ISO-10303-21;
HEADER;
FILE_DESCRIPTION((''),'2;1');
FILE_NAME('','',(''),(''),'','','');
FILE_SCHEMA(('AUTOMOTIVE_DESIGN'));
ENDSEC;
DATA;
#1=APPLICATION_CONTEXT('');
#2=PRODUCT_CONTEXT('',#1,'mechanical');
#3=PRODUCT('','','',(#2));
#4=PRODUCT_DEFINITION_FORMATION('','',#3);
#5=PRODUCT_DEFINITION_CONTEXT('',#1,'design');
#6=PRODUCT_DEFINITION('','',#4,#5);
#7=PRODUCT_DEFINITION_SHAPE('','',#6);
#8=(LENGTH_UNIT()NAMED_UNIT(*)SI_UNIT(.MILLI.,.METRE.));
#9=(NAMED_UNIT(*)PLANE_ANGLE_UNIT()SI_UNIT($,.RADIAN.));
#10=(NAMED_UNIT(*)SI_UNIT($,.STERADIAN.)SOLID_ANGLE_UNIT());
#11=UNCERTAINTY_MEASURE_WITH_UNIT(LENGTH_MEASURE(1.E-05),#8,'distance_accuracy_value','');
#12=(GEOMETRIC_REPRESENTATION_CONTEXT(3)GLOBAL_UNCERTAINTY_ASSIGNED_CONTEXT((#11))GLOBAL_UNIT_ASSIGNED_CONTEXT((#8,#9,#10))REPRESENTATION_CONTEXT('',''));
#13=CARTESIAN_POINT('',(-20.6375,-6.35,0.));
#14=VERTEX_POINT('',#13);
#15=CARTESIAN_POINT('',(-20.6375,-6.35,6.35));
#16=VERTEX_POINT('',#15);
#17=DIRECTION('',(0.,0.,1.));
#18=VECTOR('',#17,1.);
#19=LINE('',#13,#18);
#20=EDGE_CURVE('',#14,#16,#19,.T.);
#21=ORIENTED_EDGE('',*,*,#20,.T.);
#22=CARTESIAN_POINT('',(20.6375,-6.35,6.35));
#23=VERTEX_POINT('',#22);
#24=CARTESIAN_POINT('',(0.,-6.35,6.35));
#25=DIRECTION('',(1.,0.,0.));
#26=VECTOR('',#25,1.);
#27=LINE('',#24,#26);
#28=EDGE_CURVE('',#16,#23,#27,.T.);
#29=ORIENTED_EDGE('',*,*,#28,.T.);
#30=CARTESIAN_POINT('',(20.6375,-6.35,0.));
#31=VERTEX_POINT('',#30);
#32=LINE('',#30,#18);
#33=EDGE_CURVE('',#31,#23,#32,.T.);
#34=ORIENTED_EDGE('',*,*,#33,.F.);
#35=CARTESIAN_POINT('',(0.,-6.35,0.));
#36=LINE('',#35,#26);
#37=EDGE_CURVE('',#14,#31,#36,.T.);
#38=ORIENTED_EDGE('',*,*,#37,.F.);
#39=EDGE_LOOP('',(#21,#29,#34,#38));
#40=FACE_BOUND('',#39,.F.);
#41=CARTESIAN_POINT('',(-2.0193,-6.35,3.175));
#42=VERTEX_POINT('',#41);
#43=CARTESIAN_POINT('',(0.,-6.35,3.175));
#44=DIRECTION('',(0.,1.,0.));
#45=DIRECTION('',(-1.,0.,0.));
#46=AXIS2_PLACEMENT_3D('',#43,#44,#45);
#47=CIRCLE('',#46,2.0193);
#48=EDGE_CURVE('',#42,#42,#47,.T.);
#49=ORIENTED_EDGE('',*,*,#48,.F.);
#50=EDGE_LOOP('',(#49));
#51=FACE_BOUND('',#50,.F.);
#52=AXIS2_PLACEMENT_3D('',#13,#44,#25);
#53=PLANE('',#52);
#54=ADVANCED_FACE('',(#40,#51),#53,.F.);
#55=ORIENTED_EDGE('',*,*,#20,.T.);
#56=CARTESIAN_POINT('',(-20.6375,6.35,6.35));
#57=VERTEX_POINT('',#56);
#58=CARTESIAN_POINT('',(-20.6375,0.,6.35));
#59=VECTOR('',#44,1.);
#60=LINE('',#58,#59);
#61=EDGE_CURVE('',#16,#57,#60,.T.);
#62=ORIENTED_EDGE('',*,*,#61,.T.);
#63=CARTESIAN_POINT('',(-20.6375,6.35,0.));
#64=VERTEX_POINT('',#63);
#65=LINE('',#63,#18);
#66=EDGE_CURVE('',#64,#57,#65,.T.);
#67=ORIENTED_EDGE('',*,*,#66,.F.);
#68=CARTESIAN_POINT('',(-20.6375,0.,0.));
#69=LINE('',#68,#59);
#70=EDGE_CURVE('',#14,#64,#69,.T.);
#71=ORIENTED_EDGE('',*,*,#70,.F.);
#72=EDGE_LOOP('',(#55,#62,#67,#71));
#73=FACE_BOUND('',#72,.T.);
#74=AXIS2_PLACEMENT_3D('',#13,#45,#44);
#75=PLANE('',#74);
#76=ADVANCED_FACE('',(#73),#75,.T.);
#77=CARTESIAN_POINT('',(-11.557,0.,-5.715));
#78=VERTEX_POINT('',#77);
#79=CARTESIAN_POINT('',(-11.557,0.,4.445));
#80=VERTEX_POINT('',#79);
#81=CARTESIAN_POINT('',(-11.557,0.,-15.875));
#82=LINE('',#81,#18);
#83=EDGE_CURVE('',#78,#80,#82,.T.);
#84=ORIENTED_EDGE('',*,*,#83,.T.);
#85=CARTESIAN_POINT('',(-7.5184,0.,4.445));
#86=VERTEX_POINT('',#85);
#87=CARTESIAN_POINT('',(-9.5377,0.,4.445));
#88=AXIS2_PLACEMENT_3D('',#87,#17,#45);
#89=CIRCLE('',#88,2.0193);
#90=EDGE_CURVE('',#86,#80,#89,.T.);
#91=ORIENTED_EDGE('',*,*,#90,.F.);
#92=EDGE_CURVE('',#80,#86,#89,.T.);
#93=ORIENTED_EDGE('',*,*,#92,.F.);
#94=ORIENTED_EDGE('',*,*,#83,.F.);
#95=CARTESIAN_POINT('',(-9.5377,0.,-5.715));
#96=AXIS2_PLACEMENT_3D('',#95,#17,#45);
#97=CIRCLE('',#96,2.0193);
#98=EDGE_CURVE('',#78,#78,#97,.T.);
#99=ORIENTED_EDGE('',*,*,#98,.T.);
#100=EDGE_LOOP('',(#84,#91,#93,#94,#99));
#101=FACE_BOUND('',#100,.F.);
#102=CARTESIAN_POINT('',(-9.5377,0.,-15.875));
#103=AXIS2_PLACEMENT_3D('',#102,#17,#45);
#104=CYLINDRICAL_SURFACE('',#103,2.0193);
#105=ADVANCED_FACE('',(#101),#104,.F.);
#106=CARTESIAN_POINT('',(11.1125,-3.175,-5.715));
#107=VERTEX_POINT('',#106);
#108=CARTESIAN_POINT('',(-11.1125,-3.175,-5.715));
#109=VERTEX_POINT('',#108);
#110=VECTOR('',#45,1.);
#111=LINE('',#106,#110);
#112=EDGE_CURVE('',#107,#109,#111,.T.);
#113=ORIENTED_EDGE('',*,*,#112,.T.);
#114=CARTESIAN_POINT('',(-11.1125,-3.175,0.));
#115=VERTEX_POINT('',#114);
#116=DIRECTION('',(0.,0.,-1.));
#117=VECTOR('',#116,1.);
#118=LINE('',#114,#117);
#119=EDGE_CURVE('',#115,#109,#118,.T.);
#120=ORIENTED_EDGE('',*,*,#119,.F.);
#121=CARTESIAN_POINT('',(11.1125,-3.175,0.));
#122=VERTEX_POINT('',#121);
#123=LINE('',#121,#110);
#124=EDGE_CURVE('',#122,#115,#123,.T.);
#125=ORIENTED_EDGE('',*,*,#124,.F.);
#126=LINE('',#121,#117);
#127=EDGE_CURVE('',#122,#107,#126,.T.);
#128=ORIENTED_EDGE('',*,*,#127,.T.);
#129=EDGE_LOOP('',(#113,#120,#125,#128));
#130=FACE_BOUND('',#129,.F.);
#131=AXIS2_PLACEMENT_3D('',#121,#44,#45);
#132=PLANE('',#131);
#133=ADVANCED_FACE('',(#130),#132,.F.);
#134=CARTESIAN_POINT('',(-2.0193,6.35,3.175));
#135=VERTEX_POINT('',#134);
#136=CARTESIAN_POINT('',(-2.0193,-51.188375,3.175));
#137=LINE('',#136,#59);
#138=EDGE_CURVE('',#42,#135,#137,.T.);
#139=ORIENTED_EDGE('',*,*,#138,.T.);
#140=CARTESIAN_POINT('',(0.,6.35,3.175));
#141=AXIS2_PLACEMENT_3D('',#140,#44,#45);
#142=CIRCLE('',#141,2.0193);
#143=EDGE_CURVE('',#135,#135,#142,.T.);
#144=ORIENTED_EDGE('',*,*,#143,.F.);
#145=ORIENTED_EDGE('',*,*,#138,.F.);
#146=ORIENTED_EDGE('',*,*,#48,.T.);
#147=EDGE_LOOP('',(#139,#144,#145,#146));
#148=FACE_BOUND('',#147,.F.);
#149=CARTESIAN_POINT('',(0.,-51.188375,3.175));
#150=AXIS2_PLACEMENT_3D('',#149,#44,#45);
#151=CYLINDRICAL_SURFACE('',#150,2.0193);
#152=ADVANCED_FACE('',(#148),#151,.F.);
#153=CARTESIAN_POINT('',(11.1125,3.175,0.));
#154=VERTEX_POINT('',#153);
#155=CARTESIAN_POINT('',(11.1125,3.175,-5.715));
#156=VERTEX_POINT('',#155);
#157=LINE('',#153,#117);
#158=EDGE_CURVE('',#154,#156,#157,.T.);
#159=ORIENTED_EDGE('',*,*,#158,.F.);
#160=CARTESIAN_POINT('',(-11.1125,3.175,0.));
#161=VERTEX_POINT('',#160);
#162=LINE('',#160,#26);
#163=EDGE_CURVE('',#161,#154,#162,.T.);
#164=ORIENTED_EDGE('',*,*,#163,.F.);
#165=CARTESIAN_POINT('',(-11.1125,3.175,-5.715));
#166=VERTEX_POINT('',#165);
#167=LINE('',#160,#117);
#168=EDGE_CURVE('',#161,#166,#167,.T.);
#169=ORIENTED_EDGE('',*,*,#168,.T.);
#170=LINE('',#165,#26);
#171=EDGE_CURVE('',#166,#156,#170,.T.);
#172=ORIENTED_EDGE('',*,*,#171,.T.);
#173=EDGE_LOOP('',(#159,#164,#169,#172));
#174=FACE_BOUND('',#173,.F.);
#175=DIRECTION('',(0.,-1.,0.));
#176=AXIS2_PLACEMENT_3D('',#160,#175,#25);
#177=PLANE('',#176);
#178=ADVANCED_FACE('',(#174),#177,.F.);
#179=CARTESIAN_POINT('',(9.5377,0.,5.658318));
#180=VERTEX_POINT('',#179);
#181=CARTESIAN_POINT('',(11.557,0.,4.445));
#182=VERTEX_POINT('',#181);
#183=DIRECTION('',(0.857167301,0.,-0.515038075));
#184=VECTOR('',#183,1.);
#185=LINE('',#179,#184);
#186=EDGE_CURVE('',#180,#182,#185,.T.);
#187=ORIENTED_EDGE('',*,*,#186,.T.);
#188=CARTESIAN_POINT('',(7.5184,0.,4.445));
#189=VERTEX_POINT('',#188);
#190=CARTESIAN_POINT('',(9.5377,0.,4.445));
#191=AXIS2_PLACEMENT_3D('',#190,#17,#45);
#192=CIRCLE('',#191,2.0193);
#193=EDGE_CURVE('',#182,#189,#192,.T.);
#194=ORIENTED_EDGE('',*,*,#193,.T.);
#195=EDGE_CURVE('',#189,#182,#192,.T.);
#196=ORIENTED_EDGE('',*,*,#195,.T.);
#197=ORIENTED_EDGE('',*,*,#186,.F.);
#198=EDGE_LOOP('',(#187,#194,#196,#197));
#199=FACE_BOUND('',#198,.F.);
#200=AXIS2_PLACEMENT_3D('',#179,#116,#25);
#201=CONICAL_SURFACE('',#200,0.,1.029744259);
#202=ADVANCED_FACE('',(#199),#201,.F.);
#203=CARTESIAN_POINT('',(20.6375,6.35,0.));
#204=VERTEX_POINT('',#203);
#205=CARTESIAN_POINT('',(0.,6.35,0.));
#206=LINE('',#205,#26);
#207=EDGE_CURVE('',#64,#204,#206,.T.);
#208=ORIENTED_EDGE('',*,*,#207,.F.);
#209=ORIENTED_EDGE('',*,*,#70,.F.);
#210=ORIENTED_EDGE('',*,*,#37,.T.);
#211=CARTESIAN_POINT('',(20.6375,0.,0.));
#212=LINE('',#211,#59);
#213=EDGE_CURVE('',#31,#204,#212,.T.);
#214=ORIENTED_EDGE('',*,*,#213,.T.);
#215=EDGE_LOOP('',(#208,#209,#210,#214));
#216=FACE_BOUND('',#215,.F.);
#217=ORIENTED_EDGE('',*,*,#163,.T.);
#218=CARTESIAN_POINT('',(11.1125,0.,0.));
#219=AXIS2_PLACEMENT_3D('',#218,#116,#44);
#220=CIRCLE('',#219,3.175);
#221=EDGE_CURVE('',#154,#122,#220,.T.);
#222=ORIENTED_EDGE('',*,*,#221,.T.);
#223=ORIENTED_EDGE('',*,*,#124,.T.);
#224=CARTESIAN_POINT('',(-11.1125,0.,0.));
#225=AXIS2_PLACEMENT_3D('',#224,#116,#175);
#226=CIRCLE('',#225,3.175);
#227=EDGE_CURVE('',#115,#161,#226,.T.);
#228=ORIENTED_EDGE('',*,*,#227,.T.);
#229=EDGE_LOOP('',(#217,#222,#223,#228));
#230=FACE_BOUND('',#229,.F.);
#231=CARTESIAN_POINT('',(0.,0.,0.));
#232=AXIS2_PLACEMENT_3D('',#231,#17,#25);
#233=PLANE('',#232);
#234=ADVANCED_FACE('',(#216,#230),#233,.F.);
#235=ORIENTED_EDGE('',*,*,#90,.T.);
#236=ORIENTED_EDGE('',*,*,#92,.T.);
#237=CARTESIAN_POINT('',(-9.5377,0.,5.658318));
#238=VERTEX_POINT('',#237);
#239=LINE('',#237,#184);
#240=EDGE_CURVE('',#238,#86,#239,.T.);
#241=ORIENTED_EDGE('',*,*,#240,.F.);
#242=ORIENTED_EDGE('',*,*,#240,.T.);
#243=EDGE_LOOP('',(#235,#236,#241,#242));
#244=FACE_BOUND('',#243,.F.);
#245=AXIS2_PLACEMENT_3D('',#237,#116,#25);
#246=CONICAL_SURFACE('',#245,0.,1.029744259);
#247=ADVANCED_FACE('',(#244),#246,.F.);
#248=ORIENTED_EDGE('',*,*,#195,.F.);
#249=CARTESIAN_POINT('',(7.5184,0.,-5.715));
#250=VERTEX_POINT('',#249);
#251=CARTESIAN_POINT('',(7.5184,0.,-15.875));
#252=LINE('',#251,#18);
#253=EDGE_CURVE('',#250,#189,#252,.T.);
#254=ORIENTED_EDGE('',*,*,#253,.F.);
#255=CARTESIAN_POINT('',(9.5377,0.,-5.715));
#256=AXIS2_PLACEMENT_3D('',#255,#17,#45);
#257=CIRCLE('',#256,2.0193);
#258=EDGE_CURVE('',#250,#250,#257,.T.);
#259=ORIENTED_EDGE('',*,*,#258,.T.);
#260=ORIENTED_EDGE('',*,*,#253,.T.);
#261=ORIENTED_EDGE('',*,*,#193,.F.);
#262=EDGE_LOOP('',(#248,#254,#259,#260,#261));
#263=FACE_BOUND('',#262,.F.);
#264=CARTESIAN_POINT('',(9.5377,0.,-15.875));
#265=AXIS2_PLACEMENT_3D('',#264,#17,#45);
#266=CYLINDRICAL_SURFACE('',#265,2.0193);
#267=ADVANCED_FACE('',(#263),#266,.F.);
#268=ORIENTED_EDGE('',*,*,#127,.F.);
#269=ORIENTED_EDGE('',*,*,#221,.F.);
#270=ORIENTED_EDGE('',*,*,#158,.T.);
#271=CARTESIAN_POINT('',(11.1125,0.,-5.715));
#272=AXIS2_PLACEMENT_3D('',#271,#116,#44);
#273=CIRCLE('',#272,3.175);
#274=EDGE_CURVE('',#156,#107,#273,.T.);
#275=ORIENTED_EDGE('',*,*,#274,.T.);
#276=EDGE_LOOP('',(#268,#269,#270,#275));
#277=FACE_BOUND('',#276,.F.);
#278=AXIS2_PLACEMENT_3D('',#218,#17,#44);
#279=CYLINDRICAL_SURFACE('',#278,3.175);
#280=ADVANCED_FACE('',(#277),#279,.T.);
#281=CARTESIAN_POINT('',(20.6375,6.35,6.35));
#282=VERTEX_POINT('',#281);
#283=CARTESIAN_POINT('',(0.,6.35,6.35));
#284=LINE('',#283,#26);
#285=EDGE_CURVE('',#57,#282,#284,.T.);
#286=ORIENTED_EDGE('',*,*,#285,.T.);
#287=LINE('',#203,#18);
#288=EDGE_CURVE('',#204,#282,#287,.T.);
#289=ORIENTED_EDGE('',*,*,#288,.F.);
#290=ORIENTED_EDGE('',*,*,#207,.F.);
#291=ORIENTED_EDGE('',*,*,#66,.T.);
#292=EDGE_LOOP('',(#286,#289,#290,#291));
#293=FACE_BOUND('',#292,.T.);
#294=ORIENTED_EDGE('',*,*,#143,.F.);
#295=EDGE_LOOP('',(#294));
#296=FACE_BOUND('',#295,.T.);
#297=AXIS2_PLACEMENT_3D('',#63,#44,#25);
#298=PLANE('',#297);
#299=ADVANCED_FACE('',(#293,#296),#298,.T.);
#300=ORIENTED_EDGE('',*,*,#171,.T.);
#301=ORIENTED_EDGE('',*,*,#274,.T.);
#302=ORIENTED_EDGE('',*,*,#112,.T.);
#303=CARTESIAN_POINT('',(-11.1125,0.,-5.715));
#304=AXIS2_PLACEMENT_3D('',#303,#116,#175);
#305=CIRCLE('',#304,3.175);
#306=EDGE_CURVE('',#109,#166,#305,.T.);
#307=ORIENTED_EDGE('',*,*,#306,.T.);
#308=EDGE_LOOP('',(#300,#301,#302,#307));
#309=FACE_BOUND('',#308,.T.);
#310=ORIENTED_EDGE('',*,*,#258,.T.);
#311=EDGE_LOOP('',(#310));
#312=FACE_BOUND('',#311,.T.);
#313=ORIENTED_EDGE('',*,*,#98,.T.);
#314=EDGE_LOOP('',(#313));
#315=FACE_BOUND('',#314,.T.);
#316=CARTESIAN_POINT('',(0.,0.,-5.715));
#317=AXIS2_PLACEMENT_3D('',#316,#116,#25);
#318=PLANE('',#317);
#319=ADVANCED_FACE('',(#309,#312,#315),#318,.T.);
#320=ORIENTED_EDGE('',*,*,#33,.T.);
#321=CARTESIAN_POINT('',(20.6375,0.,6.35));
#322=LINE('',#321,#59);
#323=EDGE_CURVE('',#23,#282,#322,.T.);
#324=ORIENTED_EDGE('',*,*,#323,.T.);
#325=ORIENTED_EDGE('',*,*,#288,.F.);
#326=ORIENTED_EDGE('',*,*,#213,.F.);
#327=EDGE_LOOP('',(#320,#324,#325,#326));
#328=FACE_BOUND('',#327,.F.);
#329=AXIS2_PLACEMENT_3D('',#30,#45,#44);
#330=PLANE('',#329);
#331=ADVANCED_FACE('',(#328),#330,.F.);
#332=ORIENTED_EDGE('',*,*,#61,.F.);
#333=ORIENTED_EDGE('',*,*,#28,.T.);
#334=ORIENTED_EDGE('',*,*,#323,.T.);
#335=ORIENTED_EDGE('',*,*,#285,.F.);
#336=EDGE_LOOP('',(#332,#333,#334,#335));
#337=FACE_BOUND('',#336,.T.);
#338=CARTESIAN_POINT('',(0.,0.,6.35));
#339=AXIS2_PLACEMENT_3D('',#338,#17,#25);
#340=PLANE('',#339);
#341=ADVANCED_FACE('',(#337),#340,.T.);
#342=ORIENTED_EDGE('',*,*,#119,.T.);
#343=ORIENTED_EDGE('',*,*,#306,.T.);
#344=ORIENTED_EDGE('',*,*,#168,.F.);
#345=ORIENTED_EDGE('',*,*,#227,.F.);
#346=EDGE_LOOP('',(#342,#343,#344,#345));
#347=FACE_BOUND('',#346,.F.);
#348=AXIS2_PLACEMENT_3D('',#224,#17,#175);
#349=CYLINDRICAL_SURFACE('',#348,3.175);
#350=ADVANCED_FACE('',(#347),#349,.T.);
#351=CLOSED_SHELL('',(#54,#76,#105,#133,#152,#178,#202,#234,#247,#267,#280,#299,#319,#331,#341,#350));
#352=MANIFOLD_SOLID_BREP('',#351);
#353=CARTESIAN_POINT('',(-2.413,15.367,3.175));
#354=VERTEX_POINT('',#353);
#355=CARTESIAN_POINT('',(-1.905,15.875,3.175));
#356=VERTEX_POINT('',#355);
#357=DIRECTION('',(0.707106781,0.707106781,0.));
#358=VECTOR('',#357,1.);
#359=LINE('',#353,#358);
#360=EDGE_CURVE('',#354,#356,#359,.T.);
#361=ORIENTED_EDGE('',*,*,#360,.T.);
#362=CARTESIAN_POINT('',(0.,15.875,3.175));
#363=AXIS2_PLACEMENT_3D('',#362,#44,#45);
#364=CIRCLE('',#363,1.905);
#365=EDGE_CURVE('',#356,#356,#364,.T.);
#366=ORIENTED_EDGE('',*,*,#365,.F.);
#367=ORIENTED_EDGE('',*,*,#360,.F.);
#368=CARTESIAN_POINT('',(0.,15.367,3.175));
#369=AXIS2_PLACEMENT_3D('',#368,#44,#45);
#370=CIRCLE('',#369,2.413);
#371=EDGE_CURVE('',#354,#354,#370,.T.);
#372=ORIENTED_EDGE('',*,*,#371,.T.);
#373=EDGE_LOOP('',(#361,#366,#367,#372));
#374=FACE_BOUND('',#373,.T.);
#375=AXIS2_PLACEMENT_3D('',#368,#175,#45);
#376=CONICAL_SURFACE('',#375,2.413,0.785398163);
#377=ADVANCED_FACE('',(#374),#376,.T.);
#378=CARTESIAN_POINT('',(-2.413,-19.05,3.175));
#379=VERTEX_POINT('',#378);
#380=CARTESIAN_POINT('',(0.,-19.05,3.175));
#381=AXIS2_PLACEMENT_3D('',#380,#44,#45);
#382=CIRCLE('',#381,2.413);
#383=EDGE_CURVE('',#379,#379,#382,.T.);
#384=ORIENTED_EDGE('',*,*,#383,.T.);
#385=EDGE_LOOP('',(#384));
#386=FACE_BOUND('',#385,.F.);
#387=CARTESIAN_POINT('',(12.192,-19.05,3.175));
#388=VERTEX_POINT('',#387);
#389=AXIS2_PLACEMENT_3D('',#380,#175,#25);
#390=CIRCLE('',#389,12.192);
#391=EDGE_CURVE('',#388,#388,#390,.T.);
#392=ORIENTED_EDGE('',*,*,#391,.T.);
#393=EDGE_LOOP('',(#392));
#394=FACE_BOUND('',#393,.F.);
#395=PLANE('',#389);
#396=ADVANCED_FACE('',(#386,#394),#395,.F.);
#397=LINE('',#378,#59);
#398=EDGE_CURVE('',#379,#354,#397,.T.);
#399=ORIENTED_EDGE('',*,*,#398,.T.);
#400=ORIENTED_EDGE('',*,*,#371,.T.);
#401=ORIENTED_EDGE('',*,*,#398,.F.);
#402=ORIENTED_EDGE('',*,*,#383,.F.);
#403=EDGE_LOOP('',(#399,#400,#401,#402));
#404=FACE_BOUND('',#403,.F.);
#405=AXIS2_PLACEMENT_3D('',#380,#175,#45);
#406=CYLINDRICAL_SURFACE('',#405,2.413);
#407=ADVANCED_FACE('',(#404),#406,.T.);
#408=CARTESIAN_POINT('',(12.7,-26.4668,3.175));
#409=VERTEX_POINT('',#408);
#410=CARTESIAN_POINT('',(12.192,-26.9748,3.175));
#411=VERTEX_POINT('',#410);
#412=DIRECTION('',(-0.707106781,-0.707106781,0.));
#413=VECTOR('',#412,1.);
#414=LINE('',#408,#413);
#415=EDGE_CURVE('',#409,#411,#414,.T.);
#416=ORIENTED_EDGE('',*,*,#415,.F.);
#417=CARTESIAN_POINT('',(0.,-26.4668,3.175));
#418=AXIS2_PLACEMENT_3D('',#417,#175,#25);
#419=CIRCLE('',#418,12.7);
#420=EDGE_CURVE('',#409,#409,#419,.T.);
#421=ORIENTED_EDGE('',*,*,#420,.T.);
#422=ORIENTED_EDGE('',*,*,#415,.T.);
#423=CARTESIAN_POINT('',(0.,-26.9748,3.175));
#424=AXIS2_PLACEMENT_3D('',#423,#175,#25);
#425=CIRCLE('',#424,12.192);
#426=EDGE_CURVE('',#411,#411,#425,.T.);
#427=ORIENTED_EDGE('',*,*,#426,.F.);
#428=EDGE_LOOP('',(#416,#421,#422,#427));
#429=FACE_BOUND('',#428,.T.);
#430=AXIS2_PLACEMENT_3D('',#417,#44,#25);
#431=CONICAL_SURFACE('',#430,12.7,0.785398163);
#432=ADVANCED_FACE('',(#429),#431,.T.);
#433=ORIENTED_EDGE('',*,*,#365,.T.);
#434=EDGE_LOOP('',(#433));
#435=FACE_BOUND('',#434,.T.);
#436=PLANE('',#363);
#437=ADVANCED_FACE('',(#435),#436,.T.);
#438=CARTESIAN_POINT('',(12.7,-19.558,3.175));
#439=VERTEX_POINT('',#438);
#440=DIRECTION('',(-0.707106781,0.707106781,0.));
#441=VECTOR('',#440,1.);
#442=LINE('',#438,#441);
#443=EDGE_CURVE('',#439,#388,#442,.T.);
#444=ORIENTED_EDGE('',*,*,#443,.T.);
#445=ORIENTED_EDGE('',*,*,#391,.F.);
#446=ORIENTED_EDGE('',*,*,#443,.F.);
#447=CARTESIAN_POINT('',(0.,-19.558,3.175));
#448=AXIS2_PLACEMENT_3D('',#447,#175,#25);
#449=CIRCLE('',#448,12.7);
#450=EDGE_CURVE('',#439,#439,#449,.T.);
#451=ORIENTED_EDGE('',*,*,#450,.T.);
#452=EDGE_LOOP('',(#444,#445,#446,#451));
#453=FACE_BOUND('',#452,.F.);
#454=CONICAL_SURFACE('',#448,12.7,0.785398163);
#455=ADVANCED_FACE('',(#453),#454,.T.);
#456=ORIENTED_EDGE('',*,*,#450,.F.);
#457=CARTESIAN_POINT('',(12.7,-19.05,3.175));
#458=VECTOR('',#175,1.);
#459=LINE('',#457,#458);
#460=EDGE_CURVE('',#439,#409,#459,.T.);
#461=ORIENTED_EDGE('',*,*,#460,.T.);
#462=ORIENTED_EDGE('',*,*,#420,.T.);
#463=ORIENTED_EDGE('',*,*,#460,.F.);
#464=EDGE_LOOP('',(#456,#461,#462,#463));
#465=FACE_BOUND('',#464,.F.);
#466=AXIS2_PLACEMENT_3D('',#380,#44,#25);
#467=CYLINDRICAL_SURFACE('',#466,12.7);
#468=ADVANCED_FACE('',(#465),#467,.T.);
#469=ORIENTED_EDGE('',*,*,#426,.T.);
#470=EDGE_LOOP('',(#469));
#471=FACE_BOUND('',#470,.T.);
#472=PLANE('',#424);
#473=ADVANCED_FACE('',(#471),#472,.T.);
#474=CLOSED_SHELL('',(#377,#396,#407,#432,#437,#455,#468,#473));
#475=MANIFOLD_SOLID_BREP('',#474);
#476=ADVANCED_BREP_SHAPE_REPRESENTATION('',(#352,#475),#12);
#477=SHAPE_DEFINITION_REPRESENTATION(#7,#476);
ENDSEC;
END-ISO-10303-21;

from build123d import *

# Parameters (mm, degrees)
F0_W      = 41.275
F0_H      = 12.7
F1_DEPTH  = 6.35
F3_DEPTH  = 5.715
F5_D      = 4.0386
F5_DEPTH  = 10.16
F5_TIP    = 1.213317848
F7_D      = 4.0386
F9_R      = 12.7
F10_DEPTH = 7.9248
F11_R     = 2.413
F12_DEPTH = 34.925
F13_SIZE  = 0.508


with BuildPart() as f1:
    # F0 (on Top) → F1 (new body)
    with BuildSketch(Plane.XY):
        Rectangle(F0_W, F0_H)
    extrude(amount=F1_DEPTH)

    # F2 (on face) → F3 (join)
    with BuildSketch(Plane(origin=(0, 0, 0), x_dir=(1, 0, 0), z_dir=(0, 0, -1))):
        with BuildLine():
            ThreePointArc((-11.1125, 3.175), (-14.2875, 0), (-11.1125, -3.175))
            Line((-11.1125, -3.175), (11.1125, -3.175))
            ThreePointArc((11.1125, -3.175), (14.2875, 0), (11.1125, 3.175))
            Line((11.1125, 3.175), (-11.1125, 3.175))
        make_face()
    extrude(amount=F3_DEPTH)

    # F5
    with Locations(Plane(origin=(0, 0, -5.715), x_dir=(1, 0, 0), z_dir=(0, 0, -1))):
        with Locations((-9.5377, 0), (9.5377, 0)):
            Hole(F5_D / 2, depth=F5_DEPTH)
            with Locations((0, 0, -(F5_DEPTH + F5_TIP / 2))):  # 118° drill point
                Cone(0, F5_D / 2, F5_TIP, mode=Mode.SUBTRACT)

    # F7 (through all)
    with Locations(Plane.XZ.offset(6.35)):
        with Locations((0, 3.175)):
            Hole(F7_D / 2)


with BuildPart() as f10:
    # F9 (on offset) → F10 (new body)
    with BuildSketch(Plane.XZ.offset(19.05)):
        with Locations((0, 3.175)):
            Circle(F9_R)
    extrude(amount=F10_DEPTH)

    # F11 (on face) → F12 (join)
    with BuildSketch(Plane(origin=(0, -19.05, 0), x_dir=(-1, 0, 0), z_dir=(0, 1, 0))):
        with Locations((0, 3.175)):
            Circle(F11_R)
    extrude(amount=F12_DEPTH)

    # F13
    f13_edges = [f10.edges().sort_by_distance(p)[0] for p in [
        (-12.7, -26.9748, 3.175),
        (-12.7, -19.05, 3.175),
        (2.413, 15.875, 3.175),
    ]]
    chamfer(f13_edges, length=F13_SIZE)


solid = Compound([f1.part, f10.part])
